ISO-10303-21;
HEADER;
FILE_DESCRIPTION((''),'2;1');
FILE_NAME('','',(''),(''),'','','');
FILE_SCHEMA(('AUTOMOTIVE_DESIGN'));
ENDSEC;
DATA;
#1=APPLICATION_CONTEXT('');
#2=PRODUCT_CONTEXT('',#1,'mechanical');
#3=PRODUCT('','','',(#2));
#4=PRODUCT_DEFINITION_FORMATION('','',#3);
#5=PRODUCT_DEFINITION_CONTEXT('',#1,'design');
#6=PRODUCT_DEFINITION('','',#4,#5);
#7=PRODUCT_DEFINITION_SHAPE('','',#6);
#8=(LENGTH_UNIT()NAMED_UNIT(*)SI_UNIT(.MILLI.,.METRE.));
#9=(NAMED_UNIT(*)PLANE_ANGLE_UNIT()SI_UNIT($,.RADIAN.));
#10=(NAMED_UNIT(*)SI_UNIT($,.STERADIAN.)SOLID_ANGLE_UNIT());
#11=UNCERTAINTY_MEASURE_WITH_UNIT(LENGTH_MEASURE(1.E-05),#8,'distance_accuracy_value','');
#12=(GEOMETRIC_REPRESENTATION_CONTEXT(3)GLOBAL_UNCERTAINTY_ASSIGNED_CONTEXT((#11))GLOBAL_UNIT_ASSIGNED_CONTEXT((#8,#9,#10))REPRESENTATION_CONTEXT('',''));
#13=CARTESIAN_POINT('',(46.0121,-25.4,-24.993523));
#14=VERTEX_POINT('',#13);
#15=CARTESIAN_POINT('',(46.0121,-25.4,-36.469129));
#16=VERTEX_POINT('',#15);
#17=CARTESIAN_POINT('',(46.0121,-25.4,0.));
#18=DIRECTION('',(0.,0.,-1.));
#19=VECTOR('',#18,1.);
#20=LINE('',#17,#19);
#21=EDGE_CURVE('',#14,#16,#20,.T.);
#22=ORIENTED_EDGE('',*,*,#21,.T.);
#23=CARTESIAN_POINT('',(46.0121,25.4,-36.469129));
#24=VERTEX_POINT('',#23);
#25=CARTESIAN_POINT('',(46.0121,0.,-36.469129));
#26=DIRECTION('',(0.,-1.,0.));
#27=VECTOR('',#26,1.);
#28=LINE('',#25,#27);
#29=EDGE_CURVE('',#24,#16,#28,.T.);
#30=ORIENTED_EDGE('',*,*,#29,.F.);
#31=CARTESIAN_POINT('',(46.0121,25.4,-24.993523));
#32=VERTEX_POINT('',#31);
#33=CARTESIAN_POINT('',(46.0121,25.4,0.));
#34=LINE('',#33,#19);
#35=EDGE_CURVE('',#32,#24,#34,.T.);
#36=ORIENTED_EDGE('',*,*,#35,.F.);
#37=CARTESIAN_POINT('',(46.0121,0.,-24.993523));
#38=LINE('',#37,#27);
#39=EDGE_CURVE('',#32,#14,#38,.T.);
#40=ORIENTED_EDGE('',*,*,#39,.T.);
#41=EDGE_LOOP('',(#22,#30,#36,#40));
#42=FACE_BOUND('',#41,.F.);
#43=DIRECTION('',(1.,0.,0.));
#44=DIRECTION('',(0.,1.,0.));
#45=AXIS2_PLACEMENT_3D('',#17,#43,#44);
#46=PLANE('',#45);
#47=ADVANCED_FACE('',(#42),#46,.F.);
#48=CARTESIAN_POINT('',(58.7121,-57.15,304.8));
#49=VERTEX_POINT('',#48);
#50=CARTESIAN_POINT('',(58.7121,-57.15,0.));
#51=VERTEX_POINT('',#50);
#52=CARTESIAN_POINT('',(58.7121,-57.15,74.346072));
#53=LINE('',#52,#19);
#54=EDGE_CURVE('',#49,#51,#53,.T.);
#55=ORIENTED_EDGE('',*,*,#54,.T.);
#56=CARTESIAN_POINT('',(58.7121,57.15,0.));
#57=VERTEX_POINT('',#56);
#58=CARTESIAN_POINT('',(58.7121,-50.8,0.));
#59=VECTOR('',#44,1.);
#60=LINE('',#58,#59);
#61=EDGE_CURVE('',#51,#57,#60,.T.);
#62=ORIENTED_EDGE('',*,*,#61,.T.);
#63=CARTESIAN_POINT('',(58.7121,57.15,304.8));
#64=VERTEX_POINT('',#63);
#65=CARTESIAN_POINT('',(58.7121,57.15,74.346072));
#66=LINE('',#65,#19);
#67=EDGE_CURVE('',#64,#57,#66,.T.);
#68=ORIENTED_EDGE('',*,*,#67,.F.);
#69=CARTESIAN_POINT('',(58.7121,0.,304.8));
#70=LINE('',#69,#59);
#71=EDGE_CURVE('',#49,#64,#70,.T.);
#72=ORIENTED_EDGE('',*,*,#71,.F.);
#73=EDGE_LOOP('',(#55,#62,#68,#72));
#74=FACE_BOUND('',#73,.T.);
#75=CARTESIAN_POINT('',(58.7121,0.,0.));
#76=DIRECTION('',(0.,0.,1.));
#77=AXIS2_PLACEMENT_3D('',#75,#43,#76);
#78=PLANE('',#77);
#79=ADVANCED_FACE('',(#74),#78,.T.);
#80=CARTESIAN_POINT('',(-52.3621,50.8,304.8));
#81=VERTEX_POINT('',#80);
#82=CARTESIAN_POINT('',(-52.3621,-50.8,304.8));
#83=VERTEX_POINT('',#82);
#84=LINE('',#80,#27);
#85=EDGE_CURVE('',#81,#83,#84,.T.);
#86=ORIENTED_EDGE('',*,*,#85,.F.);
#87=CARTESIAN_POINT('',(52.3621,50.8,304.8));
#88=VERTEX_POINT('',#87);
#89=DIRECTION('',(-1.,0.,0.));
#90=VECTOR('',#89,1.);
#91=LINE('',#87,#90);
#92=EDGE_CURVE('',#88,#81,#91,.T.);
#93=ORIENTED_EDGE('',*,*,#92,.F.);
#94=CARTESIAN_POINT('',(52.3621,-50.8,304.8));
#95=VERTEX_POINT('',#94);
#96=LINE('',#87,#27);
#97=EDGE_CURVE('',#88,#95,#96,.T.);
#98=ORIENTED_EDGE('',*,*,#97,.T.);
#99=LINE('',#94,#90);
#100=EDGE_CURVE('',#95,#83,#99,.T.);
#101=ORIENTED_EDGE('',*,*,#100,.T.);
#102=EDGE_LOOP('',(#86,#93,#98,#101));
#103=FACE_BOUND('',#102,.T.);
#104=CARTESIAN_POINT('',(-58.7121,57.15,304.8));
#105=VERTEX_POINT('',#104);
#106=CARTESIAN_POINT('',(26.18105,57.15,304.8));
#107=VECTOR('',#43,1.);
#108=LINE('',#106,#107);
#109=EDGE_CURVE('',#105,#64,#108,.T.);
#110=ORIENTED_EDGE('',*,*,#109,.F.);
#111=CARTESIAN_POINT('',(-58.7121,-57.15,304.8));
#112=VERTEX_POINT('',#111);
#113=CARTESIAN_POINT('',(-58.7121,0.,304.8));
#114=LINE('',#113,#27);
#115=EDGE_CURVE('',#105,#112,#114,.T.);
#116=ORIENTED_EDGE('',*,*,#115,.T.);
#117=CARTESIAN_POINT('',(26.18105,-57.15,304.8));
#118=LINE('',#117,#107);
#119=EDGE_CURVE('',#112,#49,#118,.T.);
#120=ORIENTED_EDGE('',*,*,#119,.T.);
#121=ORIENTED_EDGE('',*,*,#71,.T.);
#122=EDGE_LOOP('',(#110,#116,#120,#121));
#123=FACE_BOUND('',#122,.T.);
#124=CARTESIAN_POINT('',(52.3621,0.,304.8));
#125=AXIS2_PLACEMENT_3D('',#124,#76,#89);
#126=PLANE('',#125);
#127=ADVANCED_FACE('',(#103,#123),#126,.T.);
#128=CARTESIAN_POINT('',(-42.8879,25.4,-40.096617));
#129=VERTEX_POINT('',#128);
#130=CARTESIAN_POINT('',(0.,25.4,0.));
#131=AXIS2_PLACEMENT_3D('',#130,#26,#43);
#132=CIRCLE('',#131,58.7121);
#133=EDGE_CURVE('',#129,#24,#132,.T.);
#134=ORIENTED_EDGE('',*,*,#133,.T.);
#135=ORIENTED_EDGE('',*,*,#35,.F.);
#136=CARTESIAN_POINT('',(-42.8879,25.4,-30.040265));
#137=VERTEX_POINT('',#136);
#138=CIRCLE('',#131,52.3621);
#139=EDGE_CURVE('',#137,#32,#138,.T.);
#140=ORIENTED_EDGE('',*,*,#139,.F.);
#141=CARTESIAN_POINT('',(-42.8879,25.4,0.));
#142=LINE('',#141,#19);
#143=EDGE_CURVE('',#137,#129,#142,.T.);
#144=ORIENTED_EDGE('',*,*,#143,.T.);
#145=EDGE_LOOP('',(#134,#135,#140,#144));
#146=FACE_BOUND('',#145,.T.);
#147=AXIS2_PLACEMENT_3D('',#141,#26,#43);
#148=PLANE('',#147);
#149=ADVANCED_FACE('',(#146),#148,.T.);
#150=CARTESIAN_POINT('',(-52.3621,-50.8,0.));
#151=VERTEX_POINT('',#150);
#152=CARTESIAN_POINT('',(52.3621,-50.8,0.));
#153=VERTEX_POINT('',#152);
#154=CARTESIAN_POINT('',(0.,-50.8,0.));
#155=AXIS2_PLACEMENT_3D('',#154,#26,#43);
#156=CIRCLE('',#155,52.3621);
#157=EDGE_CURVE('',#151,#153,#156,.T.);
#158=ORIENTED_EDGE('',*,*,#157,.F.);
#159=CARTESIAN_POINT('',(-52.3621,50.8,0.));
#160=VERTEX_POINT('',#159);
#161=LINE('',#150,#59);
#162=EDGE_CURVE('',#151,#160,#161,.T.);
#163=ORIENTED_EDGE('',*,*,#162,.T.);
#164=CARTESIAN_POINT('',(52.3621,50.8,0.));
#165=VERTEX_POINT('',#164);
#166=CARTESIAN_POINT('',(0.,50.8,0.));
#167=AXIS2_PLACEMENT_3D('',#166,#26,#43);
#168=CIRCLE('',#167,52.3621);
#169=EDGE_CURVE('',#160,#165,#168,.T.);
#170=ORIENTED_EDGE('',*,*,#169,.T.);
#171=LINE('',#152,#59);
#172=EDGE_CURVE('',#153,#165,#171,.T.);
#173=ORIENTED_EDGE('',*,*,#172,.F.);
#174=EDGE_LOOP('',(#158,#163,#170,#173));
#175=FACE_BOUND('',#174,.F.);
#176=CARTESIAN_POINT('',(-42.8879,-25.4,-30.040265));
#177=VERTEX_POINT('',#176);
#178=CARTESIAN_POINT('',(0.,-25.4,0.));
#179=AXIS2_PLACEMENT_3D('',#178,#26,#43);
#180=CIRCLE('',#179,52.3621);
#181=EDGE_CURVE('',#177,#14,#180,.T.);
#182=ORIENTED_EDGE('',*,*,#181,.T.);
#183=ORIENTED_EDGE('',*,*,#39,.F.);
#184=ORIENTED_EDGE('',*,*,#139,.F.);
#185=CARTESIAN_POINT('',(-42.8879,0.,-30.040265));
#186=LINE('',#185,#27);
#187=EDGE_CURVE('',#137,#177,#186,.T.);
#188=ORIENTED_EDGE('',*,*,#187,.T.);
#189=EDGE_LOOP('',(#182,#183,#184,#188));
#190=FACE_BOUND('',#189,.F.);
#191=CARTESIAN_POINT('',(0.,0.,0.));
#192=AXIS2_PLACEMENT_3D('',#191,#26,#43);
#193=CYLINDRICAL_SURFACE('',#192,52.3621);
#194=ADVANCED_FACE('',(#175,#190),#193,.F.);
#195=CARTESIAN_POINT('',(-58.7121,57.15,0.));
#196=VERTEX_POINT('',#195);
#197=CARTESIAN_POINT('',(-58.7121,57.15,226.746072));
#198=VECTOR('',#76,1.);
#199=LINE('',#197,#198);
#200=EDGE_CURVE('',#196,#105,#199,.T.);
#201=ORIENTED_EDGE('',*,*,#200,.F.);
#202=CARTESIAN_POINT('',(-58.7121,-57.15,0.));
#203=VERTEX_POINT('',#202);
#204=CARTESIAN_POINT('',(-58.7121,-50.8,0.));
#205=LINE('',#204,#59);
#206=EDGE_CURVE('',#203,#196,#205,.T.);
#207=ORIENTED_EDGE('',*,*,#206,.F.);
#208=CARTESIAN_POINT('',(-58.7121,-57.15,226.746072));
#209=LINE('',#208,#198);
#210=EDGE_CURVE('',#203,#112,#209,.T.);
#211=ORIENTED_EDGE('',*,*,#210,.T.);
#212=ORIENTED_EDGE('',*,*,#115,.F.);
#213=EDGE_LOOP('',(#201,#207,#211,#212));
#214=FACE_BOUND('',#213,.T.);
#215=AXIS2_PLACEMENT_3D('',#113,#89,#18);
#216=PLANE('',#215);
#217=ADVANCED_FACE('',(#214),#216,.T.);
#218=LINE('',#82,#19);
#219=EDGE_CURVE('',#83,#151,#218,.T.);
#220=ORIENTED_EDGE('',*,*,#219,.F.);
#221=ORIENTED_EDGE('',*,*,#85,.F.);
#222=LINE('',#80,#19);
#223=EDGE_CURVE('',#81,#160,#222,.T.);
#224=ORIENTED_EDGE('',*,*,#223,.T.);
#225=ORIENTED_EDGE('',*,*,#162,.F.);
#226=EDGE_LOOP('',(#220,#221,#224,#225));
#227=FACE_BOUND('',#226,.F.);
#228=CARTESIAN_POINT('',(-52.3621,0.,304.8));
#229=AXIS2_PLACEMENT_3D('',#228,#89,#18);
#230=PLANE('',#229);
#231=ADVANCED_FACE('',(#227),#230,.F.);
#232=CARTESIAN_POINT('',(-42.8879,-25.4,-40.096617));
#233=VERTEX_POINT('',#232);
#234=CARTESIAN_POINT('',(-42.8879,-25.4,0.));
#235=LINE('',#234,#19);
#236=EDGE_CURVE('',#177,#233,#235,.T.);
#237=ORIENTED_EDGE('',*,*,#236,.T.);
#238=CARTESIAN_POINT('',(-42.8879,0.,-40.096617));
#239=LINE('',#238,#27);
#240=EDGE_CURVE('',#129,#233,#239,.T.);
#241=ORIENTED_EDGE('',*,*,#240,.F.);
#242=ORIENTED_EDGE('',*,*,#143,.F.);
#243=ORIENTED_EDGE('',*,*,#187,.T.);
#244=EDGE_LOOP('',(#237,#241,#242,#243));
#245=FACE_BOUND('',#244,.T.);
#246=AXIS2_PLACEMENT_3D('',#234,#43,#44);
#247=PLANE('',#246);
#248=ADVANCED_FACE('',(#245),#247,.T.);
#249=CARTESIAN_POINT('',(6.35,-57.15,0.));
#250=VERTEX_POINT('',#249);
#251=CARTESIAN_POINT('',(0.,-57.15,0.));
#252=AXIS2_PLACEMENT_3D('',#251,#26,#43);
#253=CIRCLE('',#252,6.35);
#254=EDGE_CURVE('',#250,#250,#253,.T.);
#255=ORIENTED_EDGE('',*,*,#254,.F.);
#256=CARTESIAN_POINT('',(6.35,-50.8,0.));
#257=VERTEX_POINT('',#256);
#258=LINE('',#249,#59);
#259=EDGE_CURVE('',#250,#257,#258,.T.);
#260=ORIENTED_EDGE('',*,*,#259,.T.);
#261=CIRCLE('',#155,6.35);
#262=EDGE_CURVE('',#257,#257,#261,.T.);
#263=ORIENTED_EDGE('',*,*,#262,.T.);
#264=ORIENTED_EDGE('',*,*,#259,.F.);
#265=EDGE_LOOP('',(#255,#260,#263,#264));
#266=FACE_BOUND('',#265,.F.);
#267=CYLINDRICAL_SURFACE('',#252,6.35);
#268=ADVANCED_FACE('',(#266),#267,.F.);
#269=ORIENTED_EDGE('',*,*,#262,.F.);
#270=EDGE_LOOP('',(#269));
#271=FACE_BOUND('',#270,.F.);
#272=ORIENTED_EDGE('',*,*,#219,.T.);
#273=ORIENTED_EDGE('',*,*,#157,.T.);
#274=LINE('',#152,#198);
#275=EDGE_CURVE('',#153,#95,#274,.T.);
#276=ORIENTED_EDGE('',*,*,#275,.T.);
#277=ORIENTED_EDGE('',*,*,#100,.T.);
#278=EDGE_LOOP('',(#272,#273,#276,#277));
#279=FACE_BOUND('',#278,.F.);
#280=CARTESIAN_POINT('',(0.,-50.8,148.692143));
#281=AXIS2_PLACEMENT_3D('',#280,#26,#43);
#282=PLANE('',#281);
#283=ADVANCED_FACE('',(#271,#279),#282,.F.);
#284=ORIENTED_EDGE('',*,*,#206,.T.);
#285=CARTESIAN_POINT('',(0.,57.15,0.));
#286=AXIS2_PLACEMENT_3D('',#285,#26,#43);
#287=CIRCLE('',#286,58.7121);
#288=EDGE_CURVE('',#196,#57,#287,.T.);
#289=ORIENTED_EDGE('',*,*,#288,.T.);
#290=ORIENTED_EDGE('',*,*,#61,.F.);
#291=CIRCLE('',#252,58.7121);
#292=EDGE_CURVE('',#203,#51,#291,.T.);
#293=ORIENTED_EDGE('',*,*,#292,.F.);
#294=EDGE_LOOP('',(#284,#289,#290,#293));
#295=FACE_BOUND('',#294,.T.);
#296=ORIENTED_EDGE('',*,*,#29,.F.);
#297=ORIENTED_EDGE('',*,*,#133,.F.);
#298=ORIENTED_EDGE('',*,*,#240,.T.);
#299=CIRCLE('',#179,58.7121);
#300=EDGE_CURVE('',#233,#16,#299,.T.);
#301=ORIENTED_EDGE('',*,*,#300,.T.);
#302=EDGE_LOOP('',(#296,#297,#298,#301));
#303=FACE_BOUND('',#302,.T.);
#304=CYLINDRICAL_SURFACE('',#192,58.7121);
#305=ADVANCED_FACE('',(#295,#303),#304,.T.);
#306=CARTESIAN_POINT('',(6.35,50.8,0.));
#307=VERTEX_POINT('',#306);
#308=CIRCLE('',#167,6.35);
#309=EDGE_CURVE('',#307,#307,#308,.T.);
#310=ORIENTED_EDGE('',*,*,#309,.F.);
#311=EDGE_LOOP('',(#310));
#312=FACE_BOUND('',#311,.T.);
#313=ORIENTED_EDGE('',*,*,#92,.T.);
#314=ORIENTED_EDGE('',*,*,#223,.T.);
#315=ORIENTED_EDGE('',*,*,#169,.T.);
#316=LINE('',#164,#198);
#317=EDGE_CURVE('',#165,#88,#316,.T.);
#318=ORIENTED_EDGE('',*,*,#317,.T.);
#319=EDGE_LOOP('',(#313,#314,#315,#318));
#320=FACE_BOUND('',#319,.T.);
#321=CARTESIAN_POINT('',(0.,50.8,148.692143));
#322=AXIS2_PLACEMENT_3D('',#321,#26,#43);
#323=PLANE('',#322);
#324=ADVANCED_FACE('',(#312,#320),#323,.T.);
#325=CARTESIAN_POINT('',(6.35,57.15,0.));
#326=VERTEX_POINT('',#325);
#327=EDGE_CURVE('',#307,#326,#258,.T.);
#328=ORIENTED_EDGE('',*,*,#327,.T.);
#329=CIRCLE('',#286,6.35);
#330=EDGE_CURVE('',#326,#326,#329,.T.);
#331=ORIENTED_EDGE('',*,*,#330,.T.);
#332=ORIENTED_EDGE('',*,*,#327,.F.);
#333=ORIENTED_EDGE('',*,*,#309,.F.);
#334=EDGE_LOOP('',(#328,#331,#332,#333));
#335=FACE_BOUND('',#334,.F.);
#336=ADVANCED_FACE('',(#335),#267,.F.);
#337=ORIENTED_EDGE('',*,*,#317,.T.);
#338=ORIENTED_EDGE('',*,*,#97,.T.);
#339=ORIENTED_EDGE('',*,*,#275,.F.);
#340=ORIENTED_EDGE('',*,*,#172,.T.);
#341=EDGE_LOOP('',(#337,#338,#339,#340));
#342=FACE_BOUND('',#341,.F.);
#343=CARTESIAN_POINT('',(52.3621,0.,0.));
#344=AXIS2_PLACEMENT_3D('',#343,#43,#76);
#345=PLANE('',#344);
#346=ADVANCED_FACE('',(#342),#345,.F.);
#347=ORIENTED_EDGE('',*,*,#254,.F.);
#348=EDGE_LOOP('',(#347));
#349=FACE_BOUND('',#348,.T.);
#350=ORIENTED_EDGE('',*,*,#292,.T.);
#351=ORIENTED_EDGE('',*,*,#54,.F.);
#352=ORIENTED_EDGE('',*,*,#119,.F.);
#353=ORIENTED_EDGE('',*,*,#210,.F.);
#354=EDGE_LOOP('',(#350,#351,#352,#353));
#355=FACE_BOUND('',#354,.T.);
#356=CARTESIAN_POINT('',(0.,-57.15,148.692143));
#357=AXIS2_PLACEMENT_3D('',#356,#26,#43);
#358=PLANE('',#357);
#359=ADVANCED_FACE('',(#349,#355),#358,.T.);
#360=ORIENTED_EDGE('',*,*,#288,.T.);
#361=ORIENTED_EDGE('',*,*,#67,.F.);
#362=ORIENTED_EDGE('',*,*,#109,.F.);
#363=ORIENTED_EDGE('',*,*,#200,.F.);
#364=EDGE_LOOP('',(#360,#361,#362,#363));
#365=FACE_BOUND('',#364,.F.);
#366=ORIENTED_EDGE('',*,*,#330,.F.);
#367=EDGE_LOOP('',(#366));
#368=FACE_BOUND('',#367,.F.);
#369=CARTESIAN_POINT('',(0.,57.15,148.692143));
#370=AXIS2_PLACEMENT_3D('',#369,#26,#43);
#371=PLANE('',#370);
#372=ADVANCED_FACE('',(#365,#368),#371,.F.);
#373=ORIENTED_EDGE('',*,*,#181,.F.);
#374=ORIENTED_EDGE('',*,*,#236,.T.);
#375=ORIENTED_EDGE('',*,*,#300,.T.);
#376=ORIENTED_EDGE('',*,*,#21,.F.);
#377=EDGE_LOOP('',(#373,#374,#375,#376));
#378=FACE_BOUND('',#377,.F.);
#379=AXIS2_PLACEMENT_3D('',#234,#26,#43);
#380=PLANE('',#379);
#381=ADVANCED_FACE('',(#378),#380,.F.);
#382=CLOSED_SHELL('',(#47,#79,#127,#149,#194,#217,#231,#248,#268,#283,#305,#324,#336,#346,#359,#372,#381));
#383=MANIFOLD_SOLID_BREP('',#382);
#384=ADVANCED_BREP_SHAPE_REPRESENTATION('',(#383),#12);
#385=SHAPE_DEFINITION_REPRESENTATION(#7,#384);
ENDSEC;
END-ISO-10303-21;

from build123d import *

# Parameters (mm, degrees)
F1_DEPTH = 50.8
F2_DEPTH = 50.8
F3_DEPTH = 50.8
F4_T     = 6.35
F5_R     = 6.35
F6_DEPTH = 114.301
F7_W     = 88.9
F7_H     = 50.8
F8_DEPTH = 58.7131


with BuildPart() as f1:
    # F0 (on Front) → F1 (new body, symmetric)
    with BuildSketch(Plane.XZ):
        with BuildLine():
            ThreePointArc((-52.3621, 0), (0, -52.3621), (52.3621, 0))
            ThreePointArc((52.3621, 0), (0, 52.3621), (-52.3621, 0))
        make_face()
    extrude(amount=F1_DEPTH, both=True)

    # F0 (on Front) → F2 (join)
    with BuildSketch(Plane.XZ):
        with BuildLine():
            ThreePointArc((-52.3621, 0), (0, 52.3621), (52.3621, 0))
            Line((52.3621, 0), (52.3621, 304.8))
            Line((52.3621, 304.8), (-52.3621, 304.8))
            Line((-52.3621, 304.8), (-52.3621, 0))
        make_face()
    extrude(amount=F2_DEPTH)

    # F0 (on Front) → F3 (join)
    with BuildSketch(Plane.XZ):
        with BuildLine():
            ThreePointArc((-52.3621, 0), (0, 52.3621), (52.3621, 0))
            Line((52.3621, 0), (52.3621, 304.8))
            Line((52.3621, 304.8), (-52.3621, 304.8))
            Line((-52.3621, 304.8), (-52.3621, 0))
        make_face()
    extrude(amount=-F3_DEPTH)

    # F4
    f4_openings = [f1.faces().sort_by_distance(p)[0] for p in [
        (0, 0, 304.8),
    ]]
    offset(amount=F4_T, openings=f4_openings, kind=Kind.INTERSECTION)

    # F5 (on face) → F6 (cut, through all)
    with BuildSketch(Plane.XZ.offset(57.15)):
        Circle(F5_R)
    extrude(amount=-F6_DEPTH, mode=Mode.SUBTRACT)

    # F7 (on Top) → F8 (cut, through all)
    with BuildSketch(Plane.XY):
        with Locations((1.5621, 0)):
            Rectangle(F7_W, F7_H)
    extrude(amount=-F8_DEPTH, mode=Mode.SUBTRACT)


solid = f1.part
